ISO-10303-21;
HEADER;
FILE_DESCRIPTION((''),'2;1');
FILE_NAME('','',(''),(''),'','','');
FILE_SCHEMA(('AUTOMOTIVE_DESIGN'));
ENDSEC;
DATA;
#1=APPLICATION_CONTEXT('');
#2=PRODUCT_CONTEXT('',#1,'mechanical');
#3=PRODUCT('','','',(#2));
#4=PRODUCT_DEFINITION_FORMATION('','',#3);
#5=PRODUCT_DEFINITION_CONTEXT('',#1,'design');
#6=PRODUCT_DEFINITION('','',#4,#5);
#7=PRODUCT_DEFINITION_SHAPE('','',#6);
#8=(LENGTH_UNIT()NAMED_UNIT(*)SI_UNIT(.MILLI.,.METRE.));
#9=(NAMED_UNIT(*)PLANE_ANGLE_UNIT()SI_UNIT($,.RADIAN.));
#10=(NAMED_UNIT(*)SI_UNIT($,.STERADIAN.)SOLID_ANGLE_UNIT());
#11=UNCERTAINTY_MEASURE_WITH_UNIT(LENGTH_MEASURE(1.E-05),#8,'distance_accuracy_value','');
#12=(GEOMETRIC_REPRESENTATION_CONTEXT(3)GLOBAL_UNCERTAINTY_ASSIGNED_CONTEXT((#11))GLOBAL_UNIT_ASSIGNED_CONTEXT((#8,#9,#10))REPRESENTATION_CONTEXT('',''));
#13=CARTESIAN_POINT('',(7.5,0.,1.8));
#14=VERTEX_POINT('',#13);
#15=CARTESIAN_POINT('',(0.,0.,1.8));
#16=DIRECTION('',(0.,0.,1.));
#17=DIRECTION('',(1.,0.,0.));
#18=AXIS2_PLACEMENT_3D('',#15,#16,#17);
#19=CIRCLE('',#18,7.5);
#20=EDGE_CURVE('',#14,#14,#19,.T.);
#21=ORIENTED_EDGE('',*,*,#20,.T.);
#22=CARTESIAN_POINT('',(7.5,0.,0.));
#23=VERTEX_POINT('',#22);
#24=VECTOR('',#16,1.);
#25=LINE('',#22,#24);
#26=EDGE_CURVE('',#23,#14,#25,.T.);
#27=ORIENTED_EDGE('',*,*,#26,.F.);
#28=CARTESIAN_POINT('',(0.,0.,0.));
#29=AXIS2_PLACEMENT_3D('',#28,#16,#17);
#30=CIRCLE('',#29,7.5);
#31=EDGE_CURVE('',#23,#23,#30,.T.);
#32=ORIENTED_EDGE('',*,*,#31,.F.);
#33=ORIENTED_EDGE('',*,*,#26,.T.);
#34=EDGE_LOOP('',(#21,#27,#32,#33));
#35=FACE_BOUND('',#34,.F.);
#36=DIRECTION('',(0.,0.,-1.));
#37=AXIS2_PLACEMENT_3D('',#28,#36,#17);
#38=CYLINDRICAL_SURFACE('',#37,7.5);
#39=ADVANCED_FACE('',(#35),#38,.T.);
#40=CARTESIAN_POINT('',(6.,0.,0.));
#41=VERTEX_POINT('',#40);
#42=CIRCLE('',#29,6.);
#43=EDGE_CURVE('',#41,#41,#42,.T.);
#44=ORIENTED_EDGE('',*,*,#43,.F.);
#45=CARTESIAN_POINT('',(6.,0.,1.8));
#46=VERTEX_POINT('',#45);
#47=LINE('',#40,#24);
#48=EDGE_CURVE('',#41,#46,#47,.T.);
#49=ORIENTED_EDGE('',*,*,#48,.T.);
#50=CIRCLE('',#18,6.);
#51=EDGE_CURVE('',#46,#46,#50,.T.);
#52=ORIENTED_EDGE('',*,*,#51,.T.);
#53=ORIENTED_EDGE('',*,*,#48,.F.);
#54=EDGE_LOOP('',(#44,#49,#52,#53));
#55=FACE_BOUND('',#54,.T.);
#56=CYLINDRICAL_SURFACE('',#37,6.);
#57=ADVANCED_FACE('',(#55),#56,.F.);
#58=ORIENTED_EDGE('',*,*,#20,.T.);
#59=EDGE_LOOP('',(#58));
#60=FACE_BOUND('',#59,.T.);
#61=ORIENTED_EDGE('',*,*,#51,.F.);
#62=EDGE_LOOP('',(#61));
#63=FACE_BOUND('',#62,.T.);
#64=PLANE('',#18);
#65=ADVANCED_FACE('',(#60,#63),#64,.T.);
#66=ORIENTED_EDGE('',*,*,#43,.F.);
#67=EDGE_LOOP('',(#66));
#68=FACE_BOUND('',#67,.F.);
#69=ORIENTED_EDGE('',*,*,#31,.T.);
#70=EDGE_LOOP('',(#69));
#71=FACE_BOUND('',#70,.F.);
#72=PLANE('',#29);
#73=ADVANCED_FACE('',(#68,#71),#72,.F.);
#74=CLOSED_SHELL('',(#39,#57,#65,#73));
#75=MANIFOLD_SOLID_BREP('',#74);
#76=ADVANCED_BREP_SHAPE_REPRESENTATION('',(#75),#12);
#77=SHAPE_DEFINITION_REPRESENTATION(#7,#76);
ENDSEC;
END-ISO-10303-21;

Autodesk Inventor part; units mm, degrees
ref_plane "YZ Plane" through (0, 0, 0) normal (1, 0, 0) x (0, 1, 0)
ref_plane "XZ Plane" through (0, 0, 0) normal (0, 1, 0) x (-1, 0, 0)
ref_plane "XY Plane" through (0, 0, 0) normal (0, 0, 1) x (1, 0, 0)
sketch "スケッチ1" plane through (0, 0, 0) normal (0, 0, 1) x (1, 0, 0)
  circle A0 centre (0, 0) radius 6
  circle A1 centre (0, 0) radius 7.5
  dimension "d0" = 12
  dimension "d1" = 15
extrude "押し出し1" add sketch "スケッチ1" along normal blind 1.8
properties part number "シムリング1215,0.8t自作" material "アルミニウム 2014-T4"
